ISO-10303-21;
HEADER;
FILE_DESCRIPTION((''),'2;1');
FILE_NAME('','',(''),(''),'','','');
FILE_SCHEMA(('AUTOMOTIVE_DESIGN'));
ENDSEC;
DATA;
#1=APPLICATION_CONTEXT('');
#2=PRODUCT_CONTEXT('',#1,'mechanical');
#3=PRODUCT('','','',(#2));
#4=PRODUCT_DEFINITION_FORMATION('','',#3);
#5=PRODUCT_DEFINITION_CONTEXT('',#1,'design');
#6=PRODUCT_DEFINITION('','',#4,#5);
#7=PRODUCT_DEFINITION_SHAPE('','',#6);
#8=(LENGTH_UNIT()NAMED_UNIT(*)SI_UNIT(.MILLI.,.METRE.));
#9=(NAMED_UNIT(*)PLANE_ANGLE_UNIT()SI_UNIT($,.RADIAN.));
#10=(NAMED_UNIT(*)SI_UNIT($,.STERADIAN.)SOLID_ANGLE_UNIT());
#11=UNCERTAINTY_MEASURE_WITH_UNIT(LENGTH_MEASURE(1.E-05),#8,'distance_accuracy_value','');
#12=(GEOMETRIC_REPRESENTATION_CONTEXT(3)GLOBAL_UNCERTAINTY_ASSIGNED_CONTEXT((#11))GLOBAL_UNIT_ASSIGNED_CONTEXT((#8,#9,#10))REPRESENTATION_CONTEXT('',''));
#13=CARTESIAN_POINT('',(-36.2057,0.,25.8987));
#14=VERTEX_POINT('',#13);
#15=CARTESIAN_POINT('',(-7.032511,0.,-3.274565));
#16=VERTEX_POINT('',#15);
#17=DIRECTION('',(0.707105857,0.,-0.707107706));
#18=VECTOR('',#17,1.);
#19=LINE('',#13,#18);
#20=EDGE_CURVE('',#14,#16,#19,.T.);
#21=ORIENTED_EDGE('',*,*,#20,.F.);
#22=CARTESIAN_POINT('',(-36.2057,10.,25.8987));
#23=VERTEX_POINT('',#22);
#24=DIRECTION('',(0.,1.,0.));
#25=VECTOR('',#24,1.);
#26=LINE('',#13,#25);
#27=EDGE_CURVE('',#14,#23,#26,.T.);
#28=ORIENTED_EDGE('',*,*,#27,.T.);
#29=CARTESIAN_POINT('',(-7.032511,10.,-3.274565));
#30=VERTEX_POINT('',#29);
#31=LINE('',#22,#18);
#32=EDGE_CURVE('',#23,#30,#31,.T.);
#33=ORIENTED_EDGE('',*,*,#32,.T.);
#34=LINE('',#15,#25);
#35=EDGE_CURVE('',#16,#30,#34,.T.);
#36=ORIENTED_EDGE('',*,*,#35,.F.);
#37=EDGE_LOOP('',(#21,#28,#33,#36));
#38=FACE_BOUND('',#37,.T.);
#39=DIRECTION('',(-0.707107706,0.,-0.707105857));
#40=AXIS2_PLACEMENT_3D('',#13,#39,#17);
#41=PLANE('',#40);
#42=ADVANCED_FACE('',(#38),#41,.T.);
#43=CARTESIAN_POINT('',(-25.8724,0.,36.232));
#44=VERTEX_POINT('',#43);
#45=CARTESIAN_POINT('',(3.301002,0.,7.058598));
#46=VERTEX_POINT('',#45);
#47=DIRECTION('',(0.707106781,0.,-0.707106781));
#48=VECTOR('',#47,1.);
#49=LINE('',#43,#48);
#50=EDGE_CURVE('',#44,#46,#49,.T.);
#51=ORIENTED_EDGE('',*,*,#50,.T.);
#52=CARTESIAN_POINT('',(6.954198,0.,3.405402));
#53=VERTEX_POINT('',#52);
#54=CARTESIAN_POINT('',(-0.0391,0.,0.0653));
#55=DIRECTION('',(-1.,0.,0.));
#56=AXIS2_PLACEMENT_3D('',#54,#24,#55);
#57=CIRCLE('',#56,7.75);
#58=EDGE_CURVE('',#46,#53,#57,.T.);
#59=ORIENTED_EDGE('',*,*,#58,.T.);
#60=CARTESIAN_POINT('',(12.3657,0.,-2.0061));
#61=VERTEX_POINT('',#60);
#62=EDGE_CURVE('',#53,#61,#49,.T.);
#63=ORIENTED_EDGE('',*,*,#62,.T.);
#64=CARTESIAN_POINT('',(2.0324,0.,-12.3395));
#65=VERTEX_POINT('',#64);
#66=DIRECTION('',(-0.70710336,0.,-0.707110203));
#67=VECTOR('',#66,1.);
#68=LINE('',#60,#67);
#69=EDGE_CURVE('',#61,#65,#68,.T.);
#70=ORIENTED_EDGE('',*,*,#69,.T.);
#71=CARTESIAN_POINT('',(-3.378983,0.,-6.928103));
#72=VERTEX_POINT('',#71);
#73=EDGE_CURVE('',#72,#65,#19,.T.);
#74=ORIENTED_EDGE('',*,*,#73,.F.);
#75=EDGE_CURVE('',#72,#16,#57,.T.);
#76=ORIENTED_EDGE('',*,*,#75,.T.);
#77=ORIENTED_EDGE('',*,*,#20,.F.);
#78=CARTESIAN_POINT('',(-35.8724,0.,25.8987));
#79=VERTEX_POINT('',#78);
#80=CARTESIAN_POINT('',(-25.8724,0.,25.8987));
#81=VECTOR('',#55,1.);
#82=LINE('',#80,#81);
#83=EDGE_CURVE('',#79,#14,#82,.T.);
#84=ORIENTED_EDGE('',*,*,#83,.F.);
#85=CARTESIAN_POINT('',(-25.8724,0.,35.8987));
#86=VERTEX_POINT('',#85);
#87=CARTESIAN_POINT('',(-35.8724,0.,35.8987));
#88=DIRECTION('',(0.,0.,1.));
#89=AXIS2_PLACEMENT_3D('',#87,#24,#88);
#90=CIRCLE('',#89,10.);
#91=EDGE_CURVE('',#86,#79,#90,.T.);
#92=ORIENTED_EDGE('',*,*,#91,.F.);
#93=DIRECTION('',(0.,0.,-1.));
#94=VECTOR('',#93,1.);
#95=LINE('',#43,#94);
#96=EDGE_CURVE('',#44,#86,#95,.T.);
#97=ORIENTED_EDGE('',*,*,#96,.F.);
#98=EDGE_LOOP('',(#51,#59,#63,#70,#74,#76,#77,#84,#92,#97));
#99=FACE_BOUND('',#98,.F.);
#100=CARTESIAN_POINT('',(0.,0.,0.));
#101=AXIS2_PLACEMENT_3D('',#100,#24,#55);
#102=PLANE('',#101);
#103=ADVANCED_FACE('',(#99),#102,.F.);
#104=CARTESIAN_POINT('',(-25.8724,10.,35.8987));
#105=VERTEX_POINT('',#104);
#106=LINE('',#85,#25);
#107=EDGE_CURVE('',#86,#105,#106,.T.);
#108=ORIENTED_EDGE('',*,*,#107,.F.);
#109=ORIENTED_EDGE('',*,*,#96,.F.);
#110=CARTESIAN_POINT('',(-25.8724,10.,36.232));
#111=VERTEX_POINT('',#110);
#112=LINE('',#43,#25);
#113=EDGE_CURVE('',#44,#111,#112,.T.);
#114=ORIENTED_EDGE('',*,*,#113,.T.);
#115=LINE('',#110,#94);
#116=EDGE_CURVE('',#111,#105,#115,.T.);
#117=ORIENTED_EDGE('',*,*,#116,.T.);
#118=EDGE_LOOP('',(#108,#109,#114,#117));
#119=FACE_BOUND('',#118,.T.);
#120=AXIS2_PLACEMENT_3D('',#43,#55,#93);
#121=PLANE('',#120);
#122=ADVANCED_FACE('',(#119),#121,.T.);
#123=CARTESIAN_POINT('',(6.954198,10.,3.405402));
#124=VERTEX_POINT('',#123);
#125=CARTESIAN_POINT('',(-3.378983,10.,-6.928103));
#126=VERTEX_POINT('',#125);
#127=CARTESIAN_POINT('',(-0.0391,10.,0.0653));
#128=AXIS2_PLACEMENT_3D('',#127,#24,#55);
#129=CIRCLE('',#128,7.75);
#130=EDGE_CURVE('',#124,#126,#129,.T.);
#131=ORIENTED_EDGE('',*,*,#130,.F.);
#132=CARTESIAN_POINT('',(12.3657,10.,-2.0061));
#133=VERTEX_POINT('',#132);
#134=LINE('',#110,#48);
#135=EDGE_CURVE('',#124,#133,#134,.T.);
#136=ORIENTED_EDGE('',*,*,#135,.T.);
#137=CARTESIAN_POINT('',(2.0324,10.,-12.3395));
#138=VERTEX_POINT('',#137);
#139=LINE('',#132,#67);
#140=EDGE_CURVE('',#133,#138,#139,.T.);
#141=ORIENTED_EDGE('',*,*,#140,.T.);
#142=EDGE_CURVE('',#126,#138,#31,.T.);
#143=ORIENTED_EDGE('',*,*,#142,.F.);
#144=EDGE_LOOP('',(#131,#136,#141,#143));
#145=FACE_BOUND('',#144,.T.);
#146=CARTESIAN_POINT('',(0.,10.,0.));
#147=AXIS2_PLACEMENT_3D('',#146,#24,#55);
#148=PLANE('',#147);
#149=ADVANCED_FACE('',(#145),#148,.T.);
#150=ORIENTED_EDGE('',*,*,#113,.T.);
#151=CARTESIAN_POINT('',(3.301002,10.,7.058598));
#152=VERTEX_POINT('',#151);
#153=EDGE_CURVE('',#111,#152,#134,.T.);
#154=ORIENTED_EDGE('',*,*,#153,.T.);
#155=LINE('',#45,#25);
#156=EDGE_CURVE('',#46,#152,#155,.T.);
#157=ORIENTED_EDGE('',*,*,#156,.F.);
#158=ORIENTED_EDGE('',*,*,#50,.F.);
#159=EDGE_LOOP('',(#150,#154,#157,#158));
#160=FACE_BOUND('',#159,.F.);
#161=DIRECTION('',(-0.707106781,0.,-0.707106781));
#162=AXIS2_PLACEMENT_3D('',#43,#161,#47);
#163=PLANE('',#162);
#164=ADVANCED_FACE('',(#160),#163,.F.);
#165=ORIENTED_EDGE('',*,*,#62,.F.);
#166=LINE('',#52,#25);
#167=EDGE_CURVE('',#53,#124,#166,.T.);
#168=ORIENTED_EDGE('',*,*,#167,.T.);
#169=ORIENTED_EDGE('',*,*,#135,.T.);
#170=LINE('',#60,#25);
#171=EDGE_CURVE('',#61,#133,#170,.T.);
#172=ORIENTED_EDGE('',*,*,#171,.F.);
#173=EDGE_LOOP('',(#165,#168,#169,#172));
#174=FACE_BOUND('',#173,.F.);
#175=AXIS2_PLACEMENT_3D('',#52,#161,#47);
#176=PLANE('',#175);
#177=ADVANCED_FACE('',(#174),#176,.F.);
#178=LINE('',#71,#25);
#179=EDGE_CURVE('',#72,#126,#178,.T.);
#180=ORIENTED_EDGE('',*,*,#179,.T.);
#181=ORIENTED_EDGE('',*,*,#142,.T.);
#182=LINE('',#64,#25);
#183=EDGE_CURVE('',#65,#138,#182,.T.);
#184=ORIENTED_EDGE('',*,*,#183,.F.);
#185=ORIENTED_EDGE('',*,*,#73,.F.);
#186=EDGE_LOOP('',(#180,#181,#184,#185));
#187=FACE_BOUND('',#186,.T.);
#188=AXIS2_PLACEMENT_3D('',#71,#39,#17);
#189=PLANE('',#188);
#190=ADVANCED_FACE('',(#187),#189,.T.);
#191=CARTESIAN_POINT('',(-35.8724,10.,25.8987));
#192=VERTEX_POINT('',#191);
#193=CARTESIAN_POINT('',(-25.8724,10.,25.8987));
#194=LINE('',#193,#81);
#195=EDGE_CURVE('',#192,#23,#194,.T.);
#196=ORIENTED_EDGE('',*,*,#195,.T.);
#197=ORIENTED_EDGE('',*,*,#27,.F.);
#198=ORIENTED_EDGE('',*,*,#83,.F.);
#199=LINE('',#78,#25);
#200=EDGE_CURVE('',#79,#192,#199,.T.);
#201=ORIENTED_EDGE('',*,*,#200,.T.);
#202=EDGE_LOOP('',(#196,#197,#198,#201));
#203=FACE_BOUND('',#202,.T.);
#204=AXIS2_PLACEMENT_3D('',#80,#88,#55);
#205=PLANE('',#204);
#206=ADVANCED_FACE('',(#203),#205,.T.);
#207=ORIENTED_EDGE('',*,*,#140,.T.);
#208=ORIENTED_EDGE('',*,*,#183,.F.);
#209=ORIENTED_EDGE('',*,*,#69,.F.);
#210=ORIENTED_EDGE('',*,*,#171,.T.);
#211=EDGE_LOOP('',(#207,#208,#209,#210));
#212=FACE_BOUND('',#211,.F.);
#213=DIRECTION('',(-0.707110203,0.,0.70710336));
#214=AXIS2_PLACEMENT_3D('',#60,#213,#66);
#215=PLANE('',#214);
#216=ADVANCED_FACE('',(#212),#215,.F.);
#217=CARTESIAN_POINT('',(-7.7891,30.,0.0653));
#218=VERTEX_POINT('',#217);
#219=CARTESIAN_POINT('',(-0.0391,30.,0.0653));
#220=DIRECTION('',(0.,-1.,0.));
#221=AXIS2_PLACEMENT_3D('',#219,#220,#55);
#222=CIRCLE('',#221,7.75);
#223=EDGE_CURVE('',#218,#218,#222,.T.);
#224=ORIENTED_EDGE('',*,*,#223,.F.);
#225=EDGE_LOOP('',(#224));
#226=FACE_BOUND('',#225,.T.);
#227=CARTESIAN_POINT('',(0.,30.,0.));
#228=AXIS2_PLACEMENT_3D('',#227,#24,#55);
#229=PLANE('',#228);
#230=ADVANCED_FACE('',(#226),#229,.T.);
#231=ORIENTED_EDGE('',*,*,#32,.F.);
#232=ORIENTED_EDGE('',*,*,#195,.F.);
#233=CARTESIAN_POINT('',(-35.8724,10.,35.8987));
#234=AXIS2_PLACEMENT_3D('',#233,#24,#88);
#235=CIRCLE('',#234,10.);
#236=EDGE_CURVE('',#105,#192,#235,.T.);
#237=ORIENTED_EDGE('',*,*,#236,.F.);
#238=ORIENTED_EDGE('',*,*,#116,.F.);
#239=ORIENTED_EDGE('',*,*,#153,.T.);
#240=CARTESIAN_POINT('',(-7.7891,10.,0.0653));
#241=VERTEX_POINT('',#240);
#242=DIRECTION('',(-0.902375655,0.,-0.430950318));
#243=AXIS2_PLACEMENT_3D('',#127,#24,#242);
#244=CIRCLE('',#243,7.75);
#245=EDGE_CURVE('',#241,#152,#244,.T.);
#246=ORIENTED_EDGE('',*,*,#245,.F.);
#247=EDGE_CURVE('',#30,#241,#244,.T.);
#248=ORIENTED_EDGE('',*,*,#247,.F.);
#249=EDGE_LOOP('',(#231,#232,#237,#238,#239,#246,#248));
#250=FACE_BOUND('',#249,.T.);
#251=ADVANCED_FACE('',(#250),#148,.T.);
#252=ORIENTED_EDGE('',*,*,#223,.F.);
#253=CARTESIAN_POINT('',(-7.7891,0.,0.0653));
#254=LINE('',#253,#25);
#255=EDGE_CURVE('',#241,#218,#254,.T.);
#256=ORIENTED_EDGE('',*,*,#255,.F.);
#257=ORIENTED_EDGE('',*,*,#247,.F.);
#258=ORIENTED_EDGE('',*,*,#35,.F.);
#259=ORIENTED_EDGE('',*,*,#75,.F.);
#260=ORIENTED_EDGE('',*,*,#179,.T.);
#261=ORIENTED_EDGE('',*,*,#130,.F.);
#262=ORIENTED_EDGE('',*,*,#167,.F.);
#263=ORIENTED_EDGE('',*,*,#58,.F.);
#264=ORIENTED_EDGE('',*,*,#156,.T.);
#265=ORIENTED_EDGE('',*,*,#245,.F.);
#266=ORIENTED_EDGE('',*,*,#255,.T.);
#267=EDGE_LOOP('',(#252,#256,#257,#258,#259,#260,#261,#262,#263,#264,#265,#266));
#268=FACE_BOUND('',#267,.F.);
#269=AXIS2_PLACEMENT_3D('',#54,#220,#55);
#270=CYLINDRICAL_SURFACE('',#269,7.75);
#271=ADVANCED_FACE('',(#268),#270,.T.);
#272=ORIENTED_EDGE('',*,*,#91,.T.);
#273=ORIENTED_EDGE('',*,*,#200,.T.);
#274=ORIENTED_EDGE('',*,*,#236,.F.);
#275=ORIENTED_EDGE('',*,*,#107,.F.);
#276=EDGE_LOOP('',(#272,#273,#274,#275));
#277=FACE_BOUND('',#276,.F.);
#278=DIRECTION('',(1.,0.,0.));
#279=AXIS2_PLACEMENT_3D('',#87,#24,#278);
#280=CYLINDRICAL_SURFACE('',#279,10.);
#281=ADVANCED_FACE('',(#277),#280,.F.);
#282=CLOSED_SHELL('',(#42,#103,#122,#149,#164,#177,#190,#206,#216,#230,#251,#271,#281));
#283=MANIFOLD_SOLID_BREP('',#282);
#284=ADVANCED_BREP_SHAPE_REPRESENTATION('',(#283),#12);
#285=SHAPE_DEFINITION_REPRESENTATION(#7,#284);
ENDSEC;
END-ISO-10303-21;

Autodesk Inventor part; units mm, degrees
ref_plane "YZ Plane" through (0, 0, 0) normal (1, 0, 0) x (0, 1, 0)
ref_plane "XZ Plane" through (0, 0, 0) normal (0, 1, 0) x (-1, 0, 0)
ref_plane "XY Plane" through (0, 0, 0) normal (0, 0, 1) x (1, 0, 0)
sketch "Sketch1" plane through (0, 0, 0) normal (0, 1, 0) x (-1, 0, 0)
  circle A0 centre (0.0391, 0.0653) radius 7.75
  line L0 (25.8724, 25.8987) -> (36.2057, 25.8987)
  line L1 (25.8724, 36.232) -> (25.8724, 25.8987)
  line L2 (36.2057, 25.8987) -> (-2.0324, -12.3395)
  line L3 (25.8724, 36.232) -> (-12.3657, -2.0061)
  line L4 (25.8724, 36.232) -> (79.9493, 36.232) construction
  line L5 (-12.3657, -2.0061) -> (-2.0324, -12.3395)
  point P0 (0, 0)
  point P1 (-53.1731, 12.2093)
  point P2 (3.379, -6.928)
  point P3 (-6.9543, 3.4053)
  point P4 (-3.3009, 7.0587)
  point P5 (7.0324, -3.2747)
  dimension "d0" = 15.5
  dimension "d1" = 135
extrude "Extrusion1" add sketch "Sketch1" along normal blind 10 contours A0 L3 L1 L0 L2 | A0 L2 L5 L3
extrude "Extrusion2" add sketch "Sketch1" along normal blind 30 contours A0 L2 L3 | L3 A0 | A0 L2
fillet "Fillet1" radius 10 1 edges at (-25.8724, 5, 25.8987)
properties part number "hjørner holder"
